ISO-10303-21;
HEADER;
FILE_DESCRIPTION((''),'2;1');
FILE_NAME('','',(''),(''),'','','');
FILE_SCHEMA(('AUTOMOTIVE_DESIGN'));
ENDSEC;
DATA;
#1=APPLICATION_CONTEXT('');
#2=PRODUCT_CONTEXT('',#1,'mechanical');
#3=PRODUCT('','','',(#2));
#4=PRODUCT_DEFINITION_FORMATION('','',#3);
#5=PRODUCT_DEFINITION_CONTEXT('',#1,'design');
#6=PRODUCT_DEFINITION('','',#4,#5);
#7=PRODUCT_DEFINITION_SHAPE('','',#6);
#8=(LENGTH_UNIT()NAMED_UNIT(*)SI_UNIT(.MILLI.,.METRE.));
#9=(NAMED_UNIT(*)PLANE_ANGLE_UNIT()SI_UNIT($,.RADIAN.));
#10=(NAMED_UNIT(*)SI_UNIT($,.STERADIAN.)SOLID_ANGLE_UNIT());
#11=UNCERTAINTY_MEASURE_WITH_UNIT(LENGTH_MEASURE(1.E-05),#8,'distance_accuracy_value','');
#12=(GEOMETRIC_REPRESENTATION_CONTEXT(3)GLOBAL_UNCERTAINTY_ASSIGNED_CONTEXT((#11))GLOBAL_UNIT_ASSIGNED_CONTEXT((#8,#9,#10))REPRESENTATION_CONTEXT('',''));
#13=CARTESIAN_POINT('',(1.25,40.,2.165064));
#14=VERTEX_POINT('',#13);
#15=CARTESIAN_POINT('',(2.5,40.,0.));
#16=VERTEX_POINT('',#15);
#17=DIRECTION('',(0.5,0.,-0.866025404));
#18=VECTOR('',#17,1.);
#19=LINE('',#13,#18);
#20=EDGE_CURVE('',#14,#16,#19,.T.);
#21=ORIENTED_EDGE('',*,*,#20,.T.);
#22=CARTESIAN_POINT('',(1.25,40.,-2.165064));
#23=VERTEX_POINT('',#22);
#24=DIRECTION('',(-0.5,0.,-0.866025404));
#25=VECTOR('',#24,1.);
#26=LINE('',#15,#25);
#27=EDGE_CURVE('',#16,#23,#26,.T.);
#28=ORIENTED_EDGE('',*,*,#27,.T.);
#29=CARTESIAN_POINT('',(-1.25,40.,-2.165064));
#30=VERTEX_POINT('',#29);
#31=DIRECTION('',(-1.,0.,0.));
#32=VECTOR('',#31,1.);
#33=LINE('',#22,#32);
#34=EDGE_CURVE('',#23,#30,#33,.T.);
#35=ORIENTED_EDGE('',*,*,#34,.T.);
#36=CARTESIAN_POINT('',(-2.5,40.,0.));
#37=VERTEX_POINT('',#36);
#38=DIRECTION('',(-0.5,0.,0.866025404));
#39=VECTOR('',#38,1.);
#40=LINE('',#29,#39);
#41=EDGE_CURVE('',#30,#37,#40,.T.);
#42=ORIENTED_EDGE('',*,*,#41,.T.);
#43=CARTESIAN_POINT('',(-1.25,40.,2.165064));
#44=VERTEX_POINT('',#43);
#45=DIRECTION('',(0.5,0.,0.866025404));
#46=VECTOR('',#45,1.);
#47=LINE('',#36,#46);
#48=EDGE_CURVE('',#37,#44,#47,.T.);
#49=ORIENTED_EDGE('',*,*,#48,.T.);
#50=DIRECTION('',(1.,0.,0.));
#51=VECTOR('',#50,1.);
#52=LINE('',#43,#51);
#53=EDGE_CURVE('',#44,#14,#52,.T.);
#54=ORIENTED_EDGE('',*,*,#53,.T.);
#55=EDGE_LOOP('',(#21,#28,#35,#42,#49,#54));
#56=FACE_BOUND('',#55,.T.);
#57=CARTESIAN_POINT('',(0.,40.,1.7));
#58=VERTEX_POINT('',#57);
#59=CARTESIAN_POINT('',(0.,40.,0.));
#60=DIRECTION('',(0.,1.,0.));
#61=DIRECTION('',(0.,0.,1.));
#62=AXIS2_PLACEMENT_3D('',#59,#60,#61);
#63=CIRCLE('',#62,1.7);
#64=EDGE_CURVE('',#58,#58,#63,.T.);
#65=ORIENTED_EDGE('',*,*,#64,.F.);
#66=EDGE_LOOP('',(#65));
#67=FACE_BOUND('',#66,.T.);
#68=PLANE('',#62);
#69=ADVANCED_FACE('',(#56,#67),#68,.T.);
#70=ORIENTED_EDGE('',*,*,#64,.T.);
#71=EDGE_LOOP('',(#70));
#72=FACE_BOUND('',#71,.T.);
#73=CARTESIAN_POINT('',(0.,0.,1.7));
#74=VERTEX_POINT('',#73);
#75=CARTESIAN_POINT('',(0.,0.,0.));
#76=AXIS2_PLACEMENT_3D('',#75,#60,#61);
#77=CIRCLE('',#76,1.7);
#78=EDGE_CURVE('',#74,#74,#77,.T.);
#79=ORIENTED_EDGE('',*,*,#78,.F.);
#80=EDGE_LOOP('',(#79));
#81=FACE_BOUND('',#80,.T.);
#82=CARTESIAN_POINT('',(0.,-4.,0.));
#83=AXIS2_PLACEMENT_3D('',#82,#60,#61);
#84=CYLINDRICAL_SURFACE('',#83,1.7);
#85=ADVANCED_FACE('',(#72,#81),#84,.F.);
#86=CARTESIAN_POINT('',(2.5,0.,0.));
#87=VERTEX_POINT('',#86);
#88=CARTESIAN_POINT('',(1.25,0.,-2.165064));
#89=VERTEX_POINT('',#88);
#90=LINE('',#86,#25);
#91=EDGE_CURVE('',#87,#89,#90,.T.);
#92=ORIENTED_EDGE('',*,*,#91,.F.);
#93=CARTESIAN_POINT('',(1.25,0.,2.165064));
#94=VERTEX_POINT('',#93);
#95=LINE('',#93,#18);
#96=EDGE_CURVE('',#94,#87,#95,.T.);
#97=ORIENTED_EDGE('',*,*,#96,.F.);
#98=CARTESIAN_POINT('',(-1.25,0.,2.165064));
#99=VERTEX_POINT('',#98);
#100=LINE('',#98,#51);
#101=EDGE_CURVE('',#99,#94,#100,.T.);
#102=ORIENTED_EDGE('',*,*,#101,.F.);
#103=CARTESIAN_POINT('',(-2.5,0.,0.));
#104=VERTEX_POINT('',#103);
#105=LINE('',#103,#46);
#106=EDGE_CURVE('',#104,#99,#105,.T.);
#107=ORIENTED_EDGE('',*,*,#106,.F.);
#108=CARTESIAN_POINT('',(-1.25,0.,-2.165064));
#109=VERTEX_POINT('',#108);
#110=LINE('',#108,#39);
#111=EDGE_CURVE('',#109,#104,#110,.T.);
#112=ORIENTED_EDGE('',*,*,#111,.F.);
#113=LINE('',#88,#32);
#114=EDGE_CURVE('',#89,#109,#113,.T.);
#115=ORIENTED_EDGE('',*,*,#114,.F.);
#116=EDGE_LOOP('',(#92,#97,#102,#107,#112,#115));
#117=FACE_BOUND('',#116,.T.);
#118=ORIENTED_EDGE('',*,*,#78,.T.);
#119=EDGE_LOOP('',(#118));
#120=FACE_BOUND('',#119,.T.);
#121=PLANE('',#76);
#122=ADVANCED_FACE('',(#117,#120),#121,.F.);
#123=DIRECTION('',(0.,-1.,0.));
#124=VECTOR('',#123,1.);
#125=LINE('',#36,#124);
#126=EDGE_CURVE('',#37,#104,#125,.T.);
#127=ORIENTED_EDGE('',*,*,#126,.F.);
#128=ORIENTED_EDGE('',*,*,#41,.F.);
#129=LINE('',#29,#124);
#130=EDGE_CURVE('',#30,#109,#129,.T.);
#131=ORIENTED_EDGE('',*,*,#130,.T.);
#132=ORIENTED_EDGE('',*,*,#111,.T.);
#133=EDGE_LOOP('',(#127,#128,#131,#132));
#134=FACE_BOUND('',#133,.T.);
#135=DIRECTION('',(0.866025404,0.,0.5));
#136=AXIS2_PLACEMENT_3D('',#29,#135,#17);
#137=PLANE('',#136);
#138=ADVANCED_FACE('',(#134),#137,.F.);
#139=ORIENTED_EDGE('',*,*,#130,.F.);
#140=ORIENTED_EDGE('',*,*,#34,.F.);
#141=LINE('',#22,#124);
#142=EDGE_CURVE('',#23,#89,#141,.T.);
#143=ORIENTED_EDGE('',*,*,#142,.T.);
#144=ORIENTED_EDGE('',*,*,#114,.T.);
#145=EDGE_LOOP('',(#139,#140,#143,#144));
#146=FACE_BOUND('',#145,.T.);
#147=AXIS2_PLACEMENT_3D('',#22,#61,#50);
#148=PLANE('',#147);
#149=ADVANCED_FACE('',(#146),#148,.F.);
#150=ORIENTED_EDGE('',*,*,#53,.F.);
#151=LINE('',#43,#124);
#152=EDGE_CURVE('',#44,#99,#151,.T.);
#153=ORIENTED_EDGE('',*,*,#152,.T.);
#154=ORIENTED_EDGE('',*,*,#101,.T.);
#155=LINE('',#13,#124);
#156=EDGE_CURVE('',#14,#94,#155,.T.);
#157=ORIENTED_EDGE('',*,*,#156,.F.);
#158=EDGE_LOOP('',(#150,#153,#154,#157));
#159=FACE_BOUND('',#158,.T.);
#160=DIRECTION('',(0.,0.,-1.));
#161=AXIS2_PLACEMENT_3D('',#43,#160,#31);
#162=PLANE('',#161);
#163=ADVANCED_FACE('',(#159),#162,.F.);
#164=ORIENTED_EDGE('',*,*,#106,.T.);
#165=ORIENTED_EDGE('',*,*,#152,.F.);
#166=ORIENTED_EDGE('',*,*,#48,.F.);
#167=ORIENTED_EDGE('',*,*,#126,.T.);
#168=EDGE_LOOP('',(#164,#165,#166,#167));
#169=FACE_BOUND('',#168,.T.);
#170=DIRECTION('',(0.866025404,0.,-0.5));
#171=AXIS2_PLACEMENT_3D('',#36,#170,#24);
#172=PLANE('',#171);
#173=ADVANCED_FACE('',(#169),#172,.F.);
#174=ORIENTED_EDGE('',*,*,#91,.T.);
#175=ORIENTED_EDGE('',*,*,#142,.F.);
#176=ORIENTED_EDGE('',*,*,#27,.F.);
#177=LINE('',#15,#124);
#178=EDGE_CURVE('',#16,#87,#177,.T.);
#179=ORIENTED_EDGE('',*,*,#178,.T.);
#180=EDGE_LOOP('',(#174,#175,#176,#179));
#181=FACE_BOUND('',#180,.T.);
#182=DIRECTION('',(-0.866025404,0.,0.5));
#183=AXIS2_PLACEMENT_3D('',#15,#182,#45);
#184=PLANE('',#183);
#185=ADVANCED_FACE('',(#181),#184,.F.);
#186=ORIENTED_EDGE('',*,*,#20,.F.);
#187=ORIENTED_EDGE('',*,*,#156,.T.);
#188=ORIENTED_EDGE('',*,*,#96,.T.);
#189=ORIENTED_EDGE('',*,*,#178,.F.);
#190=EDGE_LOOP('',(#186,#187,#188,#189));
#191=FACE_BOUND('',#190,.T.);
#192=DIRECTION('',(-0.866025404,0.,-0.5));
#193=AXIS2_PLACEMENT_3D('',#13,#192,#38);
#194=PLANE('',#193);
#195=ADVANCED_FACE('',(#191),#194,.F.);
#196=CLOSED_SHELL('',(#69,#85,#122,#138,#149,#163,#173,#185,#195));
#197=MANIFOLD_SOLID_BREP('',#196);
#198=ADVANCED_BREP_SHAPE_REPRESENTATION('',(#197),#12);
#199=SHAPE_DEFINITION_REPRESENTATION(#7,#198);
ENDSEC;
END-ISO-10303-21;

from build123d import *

# Parameters (mm, degrees)
BOSS_EXTRUDE1_DEPTH = 40
SKETCH30_R          = 1.7
CUT_EXTRUDE1_DEPTH  = 44


with BuildPart() as part:
    # Sketch1 → Boss-Extrude1 (new body)
    with BuildSketch(Plane(origin=(0, 0, 0), x_dir=(1, 0, 0), z_dir=(0, 1, 0))):
        Polygon((2.5, 0), (1.25, 2.165063509), (-1.25, 2.165063509), (-2.5, 0), (-1.25, -2.165063509), (1.25, -2.165063509), align=None)
    extrude(amount=BOSS_EXTRUDE1_DEPTH)

    # Sketch30 → Cut-Extrude1 (cut)
    with BuildSketch(Plane(origin=(0, 40, 0), x_dir=(1, 0, 0), z_dir=(0, 1, 0))):
        with Locations(Location((0, 0, 0), (0, 0, 270))):
            Circle(SKETCH30_R)
    extrude(amount=-CUT_EXTRUDE1_DEPTH, mode=Mode.SUBTRACT)


solid = part.part
